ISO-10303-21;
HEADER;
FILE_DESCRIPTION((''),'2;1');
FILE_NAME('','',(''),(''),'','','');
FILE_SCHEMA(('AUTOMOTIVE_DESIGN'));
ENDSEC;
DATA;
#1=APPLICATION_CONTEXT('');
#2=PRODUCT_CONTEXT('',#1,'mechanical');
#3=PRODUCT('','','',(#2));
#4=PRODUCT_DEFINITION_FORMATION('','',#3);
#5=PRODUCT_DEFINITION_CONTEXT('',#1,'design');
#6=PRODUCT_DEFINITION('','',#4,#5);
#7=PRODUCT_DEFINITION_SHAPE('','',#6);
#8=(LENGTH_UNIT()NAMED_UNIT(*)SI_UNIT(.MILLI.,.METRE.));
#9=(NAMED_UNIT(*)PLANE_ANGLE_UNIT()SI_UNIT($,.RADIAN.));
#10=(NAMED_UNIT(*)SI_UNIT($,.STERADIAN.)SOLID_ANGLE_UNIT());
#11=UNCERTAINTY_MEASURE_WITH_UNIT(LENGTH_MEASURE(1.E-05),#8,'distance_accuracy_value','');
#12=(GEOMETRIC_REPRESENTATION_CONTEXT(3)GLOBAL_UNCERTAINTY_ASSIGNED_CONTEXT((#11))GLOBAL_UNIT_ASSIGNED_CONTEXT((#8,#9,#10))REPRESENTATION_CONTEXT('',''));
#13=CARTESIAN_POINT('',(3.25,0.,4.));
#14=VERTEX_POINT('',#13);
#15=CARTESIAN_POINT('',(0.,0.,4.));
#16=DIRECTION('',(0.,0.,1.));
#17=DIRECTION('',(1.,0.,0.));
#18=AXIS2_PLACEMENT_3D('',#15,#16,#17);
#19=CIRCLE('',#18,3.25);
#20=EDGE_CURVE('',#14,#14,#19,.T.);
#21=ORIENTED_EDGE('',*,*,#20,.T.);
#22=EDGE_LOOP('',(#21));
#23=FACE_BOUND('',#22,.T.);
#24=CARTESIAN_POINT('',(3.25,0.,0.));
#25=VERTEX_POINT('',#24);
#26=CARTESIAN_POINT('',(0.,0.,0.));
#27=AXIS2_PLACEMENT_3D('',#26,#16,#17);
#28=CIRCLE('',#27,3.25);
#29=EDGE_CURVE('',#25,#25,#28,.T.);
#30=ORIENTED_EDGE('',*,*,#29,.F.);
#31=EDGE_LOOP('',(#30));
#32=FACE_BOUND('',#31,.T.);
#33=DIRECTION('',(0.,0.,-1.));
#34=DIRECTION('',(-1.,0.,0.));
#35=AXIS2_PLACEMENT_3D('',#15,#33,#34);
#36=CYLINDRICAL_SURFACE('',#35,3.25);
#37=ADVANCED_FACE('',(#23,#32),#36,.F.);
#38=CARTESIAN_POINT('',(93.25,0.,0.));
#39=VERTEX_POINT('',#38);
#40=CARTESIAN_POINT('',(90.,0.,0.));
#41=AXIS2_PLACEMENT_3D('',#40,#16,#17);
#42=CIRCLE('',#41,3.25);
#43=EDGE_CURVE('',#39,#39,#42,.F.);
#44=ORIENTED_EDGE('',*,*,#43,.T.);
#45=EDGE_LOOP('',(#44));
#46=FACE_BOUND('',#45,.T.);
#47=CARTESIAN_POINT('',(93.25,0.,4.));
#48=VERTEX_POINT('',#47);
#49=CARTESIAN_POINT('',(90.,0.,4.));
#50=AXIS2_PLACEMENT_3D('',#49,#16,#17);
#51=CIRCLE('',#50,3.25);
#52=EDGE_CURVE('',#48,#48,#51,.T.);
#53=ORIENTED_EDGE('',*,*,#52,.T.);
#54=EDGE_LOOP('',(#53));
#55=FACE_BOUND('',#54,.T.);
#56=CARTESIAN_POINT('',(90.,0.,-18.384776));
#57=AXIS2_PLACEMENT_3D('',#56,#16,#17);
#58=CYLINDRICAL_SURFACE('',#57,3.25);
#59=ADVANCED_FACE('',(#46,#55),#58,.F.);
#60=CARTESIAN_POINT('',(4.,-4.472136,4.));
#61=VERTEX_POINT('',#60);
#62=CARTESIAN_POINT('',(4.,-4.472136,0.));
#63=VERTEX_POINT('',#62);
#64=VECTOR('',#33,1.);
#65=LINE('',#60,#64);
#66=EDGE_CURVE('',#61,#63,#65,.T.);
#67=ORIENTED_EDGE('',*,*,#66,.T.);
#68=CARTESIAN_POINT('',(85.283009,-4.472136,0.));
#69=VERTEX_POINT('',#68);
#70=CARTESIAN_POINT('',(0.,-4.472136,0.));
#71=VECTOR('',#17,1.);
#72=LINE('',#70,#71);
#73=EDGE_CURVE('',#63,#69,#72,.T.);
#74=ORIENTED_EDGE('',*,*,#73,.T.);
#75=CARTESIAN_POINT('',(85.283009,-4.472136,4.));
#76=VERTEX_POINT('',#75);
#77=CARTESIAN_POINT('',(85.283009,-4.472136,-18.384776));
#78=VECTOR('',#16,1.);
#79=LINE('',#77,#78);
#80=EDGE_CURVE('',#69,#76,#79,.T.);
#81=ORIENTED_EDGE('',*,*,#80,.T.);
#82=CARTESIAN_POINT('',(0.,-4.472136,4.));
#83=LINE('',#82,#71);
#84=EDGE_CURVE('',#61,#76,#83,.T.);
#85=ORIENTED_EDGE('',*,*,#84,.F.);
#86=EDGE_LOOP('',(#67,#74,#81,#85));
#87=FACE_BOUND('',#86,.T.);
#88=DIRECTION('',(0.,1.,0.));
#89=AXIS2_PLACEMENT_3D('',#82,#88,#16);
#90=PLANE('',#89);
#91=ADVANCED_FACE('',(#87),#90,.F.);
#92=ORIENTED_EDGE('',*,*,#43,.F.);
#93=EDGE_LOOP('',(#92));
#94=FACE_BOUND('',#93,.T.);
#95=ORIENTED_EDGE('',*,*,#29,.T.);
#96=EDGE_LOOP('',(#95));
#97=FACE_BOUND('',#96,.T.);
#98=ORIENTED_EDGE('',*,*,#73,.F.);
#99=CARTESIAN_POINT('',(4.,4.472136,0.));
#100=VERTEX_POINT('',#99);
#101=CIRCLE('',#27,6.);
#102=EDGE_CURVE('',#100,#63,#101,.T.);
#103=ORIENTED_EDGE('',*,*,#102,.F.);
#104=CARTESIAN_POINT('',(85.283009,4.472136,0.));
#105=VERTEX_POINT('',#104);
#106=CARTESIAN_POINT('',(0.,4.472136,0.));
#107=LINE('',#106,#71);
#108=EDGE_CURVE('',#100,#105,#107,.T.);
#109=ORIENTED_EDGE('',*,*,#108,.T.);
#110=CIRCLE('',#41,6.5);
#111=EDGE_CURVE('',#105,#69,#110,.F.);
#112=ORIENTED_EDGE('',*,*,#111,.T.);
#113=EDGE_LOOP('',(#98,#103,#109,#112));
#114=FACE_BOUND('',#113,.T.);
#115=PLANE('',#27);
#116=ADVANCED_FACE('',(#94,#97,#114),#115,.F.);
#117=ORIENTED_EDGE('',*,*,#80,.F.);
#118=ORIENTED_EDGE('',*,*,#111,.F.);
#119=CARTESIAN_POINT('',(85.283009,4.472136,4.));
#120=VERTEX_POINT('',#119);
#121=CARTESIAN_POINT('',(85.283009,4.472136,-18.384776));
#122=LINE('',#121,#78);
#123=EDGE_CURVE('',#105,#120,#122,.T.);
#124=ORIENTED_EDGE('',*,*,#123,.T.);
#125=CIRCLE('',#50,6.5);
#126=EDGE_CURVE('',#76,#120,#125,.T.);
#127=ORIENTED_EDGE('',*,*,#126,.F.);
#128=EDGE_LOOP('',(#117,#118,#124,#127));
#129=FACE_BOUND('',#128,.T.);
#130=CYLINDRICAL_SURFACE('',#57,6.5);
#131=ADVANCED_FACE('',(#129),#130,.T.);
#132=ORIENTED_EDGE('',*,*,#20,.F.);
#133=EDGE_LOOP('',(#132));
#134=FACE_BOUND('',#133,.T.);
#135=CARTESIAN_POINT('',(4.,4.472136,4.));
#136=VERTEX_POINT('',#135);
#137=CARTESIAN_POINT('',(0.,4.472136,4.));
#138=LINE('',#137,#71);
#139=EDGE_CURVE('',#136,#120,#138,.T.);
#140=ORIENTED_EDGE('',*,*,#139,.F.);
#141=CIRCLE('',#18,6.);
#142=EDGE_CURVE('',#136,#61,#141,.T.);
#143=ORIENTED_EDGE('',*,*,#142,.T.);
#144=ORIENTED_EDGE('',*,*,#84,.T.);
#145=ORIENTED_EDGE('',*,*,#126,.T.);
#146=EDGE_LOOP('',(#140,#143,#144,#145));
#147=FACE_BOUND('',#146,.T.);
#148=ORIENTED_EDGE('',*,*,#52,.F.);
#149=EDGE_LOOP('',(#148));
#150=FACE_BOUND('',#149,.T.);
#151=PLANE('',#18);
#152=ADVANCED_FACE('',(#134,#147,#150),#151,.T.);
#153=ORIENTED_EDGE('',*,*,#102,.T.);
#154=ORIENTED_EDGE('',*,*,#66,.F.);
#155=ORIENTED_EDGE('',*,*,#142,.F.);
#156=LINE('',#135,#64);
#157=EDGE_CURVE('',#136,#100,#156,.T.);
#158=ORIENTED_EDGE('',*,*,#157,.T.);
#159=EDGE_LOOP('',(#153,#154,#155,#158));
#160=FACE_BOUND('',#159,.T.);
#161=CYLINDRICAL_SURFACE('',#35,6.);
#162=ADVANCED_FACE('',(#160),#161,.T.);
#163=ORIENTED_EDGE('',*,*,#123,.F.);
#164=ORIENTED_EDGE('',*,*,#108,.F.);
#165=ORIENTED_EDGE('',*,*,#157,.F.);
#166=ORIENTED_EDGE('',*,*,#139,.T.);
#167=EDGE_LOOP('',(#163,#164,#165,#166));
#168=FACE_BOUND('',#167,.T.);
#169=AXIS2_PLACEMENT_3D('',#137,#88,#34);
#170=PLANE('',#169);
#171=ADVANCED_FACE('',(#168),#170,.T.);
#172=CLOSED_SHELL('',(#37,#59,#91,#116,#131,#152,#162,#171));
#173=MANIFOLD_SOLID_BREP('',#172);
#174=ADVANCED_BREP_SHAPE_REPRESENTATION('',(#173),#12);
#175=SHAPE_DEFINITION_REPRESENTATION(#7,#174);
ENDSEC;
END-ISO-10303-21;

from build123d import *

# Parameters (mm, degrees)
SKETCH1_R           = 3.25
BOSS_EXTRUDE2_DEPTH = 4
SKETCH2_R           = 6.5
SKETCH2_R_2         = 3.25
BOSS_EXTRUDE3_DEPTH = 4
SKETCH3_R           = 3.25
CUT_EXTRUDE1_DEPTH  = 10


with BuildPart() as part:
    # Sketch1 → Boss-Extrude2 (new body)
    with BuildSketch(Plane.XY):
        with BuildLine():
            Line((4, -4.472135955), (4, 4.472135955))
            ThreePointArc((4, 4.472135955), (-6, 0), (4, -4.472135955))
        make_face()
        Circle(SKETCH1_R, mode=Mode.SUBTRACT)
        with BuildLine():
            ThreePointArc((6, 0), (5.477225575, 2.449489743), (4, 4.472135955))
            Line((4, 4.472135955), (4, -4.472135955))
            ThreePointArc((4, -4.472135955), (5.477225575, -2.449489743), (6, 0))
        make_face()
        with BuildLine():
            Line((90, 4.472135955), (4, 4.472135955))
            ThreePointArc((4, 4.472135955), (5.477225575, 2.449489743), (6, 0))
            ThreePointArc((6, 0), (5.477225575, -2.449489743), (4, -4.472135955))
            Line((4, -4.472135955), (90, -4.472135955))
            Line((90, -4.472135955), (90, 4.472135955))
        make_face()
    extrude(amount=BOSS_EXTRUDE2_DEPTH)

    # Sketch2 → Boss-Extrude3 (add)
    with BuildSketch(Plane.XY.offset(4)):
        with Locations((90, 0)):
            Circle(SKETCH2_R)
        with Locations((90, 0)):
            Circle(SKETCH2_R_2, mode=Mode.SUBTRACT)
    extrude(amount=-BOSS_EXTRUDE3_DEPTH)

    # Sketch3 → Cut-Extrude1 (cut)
    with BuildSketch(Plane.XY.offset(4)):
        with Locations((90, 0)):
            Circle(SKETCH3_R)
    extrude(amount=-CUT_EXTRUDE1_DEPTH, mode=Mode.SUBTRACT)


solid = part.part
